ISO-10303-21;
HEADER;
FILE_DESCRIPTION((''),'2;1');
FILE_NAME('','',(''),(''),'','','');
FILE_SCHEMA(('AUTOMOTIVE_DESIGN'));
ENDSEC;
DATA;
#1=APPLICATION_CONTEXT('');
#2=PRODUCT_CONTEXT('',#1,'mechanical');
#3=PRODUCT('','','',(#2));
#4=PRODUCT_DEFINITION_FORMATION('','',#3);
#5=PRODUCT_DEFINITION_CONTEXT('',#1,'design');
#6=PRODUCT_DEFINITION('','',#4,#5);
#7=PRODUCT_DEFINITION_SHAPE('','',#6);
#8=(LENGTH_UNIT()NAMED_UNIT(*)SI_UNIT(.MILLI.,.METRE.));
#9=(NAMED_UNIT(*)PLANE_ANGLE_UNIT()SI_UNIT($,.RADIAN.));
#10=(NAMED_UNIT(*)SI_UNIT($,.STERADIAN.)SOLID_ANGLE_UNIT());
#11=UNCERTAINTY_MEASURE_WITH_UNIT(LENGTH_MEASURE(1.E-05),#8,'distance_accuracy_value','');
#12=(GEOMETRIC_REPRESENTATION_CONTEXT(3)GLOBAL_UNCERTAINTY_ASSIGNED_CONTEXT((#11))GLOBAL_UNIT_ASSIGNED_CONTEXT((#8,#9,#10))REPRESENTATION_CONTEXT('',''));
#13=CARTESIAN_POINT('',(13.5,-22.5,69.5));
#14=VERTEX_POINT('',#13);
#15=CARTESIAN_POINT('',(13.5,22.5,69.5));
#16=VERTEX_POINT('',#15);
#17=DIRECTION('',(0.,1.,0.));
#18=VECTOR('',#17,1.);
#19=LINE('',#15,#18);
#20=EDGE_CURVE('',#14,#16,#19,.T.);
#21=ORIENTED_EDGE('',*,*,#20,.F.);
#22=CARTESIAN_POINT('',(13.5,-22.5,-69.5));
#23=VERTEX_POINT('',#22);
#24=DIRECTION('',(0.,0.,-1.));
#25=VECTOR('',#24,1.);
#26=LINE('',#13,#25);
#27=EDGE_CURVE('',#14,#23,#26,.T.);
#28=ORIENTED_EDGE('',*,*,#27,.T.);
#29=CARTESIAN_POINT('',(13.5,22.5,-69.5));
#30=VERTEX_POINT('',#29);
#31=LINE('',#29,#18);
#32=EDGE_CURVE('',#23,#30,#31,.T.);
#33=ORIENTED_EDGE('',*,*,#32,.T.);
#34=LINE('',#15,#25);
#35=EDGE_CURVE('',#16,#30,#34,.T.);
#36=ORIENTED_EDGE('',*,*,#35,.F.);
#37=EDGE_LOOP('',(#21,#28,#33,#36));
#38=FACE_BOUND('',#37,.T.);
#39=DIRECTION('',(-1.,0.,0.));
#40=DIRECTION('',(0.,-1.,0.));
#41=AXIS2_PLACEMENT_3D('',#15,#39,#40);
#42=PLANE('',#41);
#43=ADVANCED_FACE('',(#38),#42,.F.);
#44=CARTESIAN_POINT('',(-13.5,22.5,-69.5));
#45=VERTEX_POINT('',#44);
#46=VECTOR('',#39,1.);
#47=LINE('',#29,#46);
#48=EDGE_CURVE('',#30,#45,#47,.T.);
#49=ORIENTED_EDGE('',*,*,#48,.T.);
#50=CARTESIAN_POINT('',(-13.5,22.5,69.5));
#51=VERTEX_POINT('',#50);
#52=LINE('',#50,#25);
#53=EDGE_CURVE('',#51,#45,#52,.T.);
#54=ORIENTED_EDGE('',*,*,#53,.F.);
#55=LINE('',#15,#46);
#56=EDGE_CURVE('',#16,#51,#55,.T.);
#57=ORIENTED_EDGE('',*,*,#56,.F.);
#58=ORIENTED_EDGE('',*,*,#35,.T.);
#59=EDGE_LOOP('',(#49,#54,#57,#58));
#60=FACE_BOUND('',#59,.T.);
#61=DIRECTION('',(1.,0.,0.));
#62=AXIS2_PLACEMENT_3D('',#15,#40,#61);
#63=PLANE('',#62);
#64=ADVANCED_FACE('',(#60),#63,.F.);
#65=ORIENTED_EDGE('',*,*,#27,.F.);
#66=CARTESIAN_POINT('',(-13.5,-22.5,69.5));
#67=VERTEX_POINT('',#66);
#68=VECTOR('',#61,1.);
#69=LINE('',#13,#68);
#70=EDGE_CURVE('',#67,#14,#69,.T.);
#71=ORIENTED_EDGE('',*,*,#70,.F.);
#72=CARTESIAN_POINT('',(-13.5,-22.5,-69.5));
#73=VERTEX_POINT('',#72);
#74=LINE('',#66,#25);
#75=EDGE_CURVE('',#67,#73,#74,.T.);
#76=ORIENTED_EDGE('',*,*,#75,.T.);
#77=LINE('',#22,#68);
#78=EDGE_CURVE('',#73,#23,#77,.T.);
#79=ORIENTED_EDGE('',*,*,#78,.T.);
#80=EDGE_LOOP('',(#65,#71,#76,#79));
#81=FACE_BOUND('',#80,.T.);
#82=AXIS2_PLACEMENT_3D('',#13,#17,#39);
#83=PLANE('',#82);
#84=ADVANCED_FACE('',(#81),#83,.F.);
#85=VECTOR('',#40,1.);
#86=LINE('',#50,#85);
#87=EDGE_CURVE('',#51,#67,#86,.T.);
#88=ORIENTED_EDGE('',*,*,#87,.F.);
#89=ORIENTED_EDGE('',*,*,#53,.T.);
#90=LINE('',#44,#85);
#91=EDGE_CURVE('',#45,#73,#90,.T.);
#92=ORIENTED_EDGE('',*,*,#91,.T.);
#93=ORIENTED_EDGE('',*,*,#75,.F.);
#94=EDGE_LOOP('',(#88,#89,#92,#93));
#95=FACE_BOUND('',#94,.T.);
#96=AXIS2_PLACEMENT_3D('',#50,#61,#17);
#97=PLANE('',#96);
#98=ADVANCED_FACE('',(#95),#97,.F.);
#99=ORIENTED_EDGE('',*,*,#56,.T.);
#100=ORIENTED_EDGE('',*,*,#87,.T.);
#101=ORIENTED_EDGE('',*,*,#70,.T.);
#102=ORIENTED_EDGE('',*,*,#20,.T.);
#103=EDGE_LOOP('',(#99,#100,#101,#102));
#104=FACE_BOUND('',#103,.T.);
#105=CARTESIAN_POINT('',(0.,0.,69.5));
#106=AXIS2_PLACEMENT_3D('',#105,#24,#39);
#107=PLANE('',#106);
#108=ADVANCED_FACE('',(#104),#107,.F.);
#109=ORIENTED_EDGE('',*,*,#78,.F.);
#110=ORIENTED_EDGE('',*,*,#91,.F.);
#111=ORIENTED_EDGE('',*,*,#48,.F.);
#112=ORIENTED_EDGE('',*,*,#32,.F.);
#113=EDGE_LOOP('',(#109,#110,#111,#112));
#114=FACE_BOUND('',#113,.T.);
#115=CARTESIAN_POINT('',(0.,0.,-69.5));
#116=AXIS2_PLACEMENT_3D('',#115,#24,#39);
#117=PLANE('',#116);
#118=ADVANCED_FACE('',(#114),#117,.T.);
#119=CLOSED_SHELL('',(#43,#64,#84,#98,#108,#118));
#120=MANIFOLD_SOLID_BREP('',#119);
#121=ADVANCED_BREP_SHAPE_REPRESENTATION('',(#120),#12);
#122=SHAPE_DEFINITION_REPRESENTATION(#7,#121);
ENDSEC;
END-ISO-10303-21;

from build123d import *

# Parameters (mm, degrees)
SKETCH1_W           = 27
SKETCH1_H           = 45
BOSS_EXTRUDE1_DEPTH = 69.5


with BuildPart() as part:
    # Sketch1 → Boss-Extrude1 (new body, symmetric)
    with BuildSketch(Plane.XY):
        Rectangle(SKETCH1_W, SKETCH1_H)
    extrude(amount=BOSS_EXTRUDE1_DEPTH, both=True)


solid = part.part
